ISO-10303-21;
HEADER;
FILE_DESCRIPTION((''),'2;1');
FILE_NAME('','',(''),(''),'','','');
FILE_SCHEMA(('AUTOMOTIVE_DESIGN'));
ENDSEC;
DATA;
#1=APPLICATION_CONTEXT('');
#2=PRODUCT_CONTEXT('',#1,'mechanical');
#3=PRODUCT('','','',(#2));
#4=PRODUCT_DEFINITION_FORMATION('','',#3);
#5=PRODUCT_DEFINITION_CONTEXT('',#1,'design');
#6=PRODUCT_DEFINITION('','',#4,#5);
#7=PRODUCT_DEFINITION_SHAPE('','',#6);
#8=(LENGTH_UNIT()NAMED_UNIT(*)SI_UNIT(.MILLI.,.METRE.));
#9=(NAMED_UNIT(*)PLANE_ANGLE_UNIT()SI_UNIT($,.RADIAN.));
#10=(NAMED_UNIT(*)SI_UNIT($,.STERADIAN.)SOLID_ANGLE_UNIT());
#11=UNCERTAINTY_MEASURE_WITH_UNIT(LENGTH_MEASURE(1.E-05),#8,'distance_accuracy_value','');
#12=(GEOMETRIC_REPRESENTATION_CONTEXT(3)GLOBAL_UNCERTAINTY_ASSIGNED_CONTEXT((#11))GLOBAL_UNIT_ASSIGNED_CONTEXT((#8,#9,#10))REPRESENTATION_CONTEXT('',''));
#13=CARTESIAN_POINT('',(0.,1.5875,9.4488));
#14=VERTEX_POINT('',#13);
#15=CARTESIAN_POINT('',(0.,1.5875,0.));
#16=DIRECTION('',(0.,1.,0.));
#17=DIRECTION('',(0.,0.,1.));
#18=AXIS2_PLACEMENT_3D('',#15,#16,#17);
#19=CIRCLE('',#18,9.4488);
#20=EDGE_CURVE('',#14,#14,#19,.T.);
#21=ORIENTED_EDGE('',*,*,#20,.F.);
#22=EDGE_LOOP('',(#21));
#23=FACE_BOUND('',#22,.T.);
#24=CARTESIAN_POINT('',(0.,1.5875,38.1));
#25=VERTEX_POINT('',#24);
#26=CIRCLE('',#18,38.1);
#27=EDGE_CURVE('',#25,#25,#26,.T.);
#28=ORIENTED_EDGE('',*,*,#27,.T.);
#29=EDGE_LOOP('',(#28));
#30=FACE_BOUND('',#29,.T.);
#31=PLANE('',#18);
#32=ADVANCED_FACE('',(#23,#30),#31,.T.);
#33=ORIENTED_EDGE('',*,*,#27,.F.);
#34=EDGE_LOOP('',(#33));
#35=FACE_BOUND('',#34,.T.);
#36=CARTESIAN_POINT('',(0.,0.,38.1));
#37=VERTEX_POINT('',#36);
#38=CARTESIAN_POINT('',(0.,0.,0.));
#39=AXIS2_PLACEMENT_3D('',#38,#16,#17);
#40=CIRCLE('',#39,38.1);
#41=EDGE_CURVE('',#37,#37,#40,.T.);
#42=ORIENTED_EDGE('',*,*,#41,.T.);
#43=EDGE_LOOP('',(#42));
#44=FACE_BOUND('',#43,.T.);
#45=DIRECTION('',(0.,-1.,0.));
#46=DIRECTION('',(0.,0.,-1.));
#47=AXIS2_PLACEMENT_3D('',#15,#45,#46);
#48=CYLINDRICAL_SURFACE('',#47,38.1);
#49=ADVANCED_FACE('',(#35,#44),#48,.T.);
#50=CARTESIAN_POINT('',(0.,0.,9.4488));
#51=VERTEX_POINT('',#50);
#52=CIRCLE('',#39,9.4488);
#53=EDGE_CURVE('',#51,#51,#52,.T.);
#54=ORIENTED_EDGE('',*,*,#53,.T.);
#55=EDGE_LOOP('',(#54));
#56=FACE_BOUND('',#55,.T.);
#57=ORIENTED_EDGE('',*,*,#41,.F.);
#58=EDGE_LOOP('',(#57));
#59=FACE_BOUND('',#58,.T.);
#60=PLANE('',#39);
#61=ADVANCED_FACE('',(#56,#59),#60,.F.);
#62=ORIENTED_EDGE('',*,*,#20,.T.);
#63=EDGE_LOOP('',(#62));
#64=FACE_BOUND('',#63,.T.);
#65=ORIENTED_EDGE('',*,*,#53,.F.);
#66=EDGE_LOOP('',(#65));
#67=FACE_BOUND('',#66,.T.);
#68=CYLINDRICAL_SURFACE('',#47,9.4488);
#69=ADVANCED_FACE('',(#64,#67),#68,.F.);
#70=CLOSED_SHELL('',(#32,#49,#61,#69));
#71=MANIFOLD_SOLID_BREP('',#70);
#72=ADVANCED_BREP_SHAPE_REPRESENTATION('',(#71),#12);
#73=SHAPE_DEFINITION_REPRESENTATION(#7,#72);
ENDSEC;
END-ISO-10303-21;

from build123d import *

# Parameters (mm, degrees)
SKETCH1_R           = 38.1
SKETCH1_R_2         = 9.4488
BOSS_EXTRUDE1_DEPTH = 1.5875


with BuildPart() as part:
    # Sketch1 → Boss-Extrude1 (new body)
    with BuildSketch(Plane(origin=(0, 0, 0), x_dir=(1, 0, 0), z_dir=(0, 1, 0))):
        with Locations(Location((0, 0, 0), (0, 0, 270))):
            Circle(SKETCH1_R)
        with Locations(Location((0, 0, 0), (0, 0, 270))):
            Circle(SKETCH1_R_2, mode=Mode.SUBTRACT)
    extrude(amount=BOSS_EXTRUDE1_DEPTH)


solid = part.part
